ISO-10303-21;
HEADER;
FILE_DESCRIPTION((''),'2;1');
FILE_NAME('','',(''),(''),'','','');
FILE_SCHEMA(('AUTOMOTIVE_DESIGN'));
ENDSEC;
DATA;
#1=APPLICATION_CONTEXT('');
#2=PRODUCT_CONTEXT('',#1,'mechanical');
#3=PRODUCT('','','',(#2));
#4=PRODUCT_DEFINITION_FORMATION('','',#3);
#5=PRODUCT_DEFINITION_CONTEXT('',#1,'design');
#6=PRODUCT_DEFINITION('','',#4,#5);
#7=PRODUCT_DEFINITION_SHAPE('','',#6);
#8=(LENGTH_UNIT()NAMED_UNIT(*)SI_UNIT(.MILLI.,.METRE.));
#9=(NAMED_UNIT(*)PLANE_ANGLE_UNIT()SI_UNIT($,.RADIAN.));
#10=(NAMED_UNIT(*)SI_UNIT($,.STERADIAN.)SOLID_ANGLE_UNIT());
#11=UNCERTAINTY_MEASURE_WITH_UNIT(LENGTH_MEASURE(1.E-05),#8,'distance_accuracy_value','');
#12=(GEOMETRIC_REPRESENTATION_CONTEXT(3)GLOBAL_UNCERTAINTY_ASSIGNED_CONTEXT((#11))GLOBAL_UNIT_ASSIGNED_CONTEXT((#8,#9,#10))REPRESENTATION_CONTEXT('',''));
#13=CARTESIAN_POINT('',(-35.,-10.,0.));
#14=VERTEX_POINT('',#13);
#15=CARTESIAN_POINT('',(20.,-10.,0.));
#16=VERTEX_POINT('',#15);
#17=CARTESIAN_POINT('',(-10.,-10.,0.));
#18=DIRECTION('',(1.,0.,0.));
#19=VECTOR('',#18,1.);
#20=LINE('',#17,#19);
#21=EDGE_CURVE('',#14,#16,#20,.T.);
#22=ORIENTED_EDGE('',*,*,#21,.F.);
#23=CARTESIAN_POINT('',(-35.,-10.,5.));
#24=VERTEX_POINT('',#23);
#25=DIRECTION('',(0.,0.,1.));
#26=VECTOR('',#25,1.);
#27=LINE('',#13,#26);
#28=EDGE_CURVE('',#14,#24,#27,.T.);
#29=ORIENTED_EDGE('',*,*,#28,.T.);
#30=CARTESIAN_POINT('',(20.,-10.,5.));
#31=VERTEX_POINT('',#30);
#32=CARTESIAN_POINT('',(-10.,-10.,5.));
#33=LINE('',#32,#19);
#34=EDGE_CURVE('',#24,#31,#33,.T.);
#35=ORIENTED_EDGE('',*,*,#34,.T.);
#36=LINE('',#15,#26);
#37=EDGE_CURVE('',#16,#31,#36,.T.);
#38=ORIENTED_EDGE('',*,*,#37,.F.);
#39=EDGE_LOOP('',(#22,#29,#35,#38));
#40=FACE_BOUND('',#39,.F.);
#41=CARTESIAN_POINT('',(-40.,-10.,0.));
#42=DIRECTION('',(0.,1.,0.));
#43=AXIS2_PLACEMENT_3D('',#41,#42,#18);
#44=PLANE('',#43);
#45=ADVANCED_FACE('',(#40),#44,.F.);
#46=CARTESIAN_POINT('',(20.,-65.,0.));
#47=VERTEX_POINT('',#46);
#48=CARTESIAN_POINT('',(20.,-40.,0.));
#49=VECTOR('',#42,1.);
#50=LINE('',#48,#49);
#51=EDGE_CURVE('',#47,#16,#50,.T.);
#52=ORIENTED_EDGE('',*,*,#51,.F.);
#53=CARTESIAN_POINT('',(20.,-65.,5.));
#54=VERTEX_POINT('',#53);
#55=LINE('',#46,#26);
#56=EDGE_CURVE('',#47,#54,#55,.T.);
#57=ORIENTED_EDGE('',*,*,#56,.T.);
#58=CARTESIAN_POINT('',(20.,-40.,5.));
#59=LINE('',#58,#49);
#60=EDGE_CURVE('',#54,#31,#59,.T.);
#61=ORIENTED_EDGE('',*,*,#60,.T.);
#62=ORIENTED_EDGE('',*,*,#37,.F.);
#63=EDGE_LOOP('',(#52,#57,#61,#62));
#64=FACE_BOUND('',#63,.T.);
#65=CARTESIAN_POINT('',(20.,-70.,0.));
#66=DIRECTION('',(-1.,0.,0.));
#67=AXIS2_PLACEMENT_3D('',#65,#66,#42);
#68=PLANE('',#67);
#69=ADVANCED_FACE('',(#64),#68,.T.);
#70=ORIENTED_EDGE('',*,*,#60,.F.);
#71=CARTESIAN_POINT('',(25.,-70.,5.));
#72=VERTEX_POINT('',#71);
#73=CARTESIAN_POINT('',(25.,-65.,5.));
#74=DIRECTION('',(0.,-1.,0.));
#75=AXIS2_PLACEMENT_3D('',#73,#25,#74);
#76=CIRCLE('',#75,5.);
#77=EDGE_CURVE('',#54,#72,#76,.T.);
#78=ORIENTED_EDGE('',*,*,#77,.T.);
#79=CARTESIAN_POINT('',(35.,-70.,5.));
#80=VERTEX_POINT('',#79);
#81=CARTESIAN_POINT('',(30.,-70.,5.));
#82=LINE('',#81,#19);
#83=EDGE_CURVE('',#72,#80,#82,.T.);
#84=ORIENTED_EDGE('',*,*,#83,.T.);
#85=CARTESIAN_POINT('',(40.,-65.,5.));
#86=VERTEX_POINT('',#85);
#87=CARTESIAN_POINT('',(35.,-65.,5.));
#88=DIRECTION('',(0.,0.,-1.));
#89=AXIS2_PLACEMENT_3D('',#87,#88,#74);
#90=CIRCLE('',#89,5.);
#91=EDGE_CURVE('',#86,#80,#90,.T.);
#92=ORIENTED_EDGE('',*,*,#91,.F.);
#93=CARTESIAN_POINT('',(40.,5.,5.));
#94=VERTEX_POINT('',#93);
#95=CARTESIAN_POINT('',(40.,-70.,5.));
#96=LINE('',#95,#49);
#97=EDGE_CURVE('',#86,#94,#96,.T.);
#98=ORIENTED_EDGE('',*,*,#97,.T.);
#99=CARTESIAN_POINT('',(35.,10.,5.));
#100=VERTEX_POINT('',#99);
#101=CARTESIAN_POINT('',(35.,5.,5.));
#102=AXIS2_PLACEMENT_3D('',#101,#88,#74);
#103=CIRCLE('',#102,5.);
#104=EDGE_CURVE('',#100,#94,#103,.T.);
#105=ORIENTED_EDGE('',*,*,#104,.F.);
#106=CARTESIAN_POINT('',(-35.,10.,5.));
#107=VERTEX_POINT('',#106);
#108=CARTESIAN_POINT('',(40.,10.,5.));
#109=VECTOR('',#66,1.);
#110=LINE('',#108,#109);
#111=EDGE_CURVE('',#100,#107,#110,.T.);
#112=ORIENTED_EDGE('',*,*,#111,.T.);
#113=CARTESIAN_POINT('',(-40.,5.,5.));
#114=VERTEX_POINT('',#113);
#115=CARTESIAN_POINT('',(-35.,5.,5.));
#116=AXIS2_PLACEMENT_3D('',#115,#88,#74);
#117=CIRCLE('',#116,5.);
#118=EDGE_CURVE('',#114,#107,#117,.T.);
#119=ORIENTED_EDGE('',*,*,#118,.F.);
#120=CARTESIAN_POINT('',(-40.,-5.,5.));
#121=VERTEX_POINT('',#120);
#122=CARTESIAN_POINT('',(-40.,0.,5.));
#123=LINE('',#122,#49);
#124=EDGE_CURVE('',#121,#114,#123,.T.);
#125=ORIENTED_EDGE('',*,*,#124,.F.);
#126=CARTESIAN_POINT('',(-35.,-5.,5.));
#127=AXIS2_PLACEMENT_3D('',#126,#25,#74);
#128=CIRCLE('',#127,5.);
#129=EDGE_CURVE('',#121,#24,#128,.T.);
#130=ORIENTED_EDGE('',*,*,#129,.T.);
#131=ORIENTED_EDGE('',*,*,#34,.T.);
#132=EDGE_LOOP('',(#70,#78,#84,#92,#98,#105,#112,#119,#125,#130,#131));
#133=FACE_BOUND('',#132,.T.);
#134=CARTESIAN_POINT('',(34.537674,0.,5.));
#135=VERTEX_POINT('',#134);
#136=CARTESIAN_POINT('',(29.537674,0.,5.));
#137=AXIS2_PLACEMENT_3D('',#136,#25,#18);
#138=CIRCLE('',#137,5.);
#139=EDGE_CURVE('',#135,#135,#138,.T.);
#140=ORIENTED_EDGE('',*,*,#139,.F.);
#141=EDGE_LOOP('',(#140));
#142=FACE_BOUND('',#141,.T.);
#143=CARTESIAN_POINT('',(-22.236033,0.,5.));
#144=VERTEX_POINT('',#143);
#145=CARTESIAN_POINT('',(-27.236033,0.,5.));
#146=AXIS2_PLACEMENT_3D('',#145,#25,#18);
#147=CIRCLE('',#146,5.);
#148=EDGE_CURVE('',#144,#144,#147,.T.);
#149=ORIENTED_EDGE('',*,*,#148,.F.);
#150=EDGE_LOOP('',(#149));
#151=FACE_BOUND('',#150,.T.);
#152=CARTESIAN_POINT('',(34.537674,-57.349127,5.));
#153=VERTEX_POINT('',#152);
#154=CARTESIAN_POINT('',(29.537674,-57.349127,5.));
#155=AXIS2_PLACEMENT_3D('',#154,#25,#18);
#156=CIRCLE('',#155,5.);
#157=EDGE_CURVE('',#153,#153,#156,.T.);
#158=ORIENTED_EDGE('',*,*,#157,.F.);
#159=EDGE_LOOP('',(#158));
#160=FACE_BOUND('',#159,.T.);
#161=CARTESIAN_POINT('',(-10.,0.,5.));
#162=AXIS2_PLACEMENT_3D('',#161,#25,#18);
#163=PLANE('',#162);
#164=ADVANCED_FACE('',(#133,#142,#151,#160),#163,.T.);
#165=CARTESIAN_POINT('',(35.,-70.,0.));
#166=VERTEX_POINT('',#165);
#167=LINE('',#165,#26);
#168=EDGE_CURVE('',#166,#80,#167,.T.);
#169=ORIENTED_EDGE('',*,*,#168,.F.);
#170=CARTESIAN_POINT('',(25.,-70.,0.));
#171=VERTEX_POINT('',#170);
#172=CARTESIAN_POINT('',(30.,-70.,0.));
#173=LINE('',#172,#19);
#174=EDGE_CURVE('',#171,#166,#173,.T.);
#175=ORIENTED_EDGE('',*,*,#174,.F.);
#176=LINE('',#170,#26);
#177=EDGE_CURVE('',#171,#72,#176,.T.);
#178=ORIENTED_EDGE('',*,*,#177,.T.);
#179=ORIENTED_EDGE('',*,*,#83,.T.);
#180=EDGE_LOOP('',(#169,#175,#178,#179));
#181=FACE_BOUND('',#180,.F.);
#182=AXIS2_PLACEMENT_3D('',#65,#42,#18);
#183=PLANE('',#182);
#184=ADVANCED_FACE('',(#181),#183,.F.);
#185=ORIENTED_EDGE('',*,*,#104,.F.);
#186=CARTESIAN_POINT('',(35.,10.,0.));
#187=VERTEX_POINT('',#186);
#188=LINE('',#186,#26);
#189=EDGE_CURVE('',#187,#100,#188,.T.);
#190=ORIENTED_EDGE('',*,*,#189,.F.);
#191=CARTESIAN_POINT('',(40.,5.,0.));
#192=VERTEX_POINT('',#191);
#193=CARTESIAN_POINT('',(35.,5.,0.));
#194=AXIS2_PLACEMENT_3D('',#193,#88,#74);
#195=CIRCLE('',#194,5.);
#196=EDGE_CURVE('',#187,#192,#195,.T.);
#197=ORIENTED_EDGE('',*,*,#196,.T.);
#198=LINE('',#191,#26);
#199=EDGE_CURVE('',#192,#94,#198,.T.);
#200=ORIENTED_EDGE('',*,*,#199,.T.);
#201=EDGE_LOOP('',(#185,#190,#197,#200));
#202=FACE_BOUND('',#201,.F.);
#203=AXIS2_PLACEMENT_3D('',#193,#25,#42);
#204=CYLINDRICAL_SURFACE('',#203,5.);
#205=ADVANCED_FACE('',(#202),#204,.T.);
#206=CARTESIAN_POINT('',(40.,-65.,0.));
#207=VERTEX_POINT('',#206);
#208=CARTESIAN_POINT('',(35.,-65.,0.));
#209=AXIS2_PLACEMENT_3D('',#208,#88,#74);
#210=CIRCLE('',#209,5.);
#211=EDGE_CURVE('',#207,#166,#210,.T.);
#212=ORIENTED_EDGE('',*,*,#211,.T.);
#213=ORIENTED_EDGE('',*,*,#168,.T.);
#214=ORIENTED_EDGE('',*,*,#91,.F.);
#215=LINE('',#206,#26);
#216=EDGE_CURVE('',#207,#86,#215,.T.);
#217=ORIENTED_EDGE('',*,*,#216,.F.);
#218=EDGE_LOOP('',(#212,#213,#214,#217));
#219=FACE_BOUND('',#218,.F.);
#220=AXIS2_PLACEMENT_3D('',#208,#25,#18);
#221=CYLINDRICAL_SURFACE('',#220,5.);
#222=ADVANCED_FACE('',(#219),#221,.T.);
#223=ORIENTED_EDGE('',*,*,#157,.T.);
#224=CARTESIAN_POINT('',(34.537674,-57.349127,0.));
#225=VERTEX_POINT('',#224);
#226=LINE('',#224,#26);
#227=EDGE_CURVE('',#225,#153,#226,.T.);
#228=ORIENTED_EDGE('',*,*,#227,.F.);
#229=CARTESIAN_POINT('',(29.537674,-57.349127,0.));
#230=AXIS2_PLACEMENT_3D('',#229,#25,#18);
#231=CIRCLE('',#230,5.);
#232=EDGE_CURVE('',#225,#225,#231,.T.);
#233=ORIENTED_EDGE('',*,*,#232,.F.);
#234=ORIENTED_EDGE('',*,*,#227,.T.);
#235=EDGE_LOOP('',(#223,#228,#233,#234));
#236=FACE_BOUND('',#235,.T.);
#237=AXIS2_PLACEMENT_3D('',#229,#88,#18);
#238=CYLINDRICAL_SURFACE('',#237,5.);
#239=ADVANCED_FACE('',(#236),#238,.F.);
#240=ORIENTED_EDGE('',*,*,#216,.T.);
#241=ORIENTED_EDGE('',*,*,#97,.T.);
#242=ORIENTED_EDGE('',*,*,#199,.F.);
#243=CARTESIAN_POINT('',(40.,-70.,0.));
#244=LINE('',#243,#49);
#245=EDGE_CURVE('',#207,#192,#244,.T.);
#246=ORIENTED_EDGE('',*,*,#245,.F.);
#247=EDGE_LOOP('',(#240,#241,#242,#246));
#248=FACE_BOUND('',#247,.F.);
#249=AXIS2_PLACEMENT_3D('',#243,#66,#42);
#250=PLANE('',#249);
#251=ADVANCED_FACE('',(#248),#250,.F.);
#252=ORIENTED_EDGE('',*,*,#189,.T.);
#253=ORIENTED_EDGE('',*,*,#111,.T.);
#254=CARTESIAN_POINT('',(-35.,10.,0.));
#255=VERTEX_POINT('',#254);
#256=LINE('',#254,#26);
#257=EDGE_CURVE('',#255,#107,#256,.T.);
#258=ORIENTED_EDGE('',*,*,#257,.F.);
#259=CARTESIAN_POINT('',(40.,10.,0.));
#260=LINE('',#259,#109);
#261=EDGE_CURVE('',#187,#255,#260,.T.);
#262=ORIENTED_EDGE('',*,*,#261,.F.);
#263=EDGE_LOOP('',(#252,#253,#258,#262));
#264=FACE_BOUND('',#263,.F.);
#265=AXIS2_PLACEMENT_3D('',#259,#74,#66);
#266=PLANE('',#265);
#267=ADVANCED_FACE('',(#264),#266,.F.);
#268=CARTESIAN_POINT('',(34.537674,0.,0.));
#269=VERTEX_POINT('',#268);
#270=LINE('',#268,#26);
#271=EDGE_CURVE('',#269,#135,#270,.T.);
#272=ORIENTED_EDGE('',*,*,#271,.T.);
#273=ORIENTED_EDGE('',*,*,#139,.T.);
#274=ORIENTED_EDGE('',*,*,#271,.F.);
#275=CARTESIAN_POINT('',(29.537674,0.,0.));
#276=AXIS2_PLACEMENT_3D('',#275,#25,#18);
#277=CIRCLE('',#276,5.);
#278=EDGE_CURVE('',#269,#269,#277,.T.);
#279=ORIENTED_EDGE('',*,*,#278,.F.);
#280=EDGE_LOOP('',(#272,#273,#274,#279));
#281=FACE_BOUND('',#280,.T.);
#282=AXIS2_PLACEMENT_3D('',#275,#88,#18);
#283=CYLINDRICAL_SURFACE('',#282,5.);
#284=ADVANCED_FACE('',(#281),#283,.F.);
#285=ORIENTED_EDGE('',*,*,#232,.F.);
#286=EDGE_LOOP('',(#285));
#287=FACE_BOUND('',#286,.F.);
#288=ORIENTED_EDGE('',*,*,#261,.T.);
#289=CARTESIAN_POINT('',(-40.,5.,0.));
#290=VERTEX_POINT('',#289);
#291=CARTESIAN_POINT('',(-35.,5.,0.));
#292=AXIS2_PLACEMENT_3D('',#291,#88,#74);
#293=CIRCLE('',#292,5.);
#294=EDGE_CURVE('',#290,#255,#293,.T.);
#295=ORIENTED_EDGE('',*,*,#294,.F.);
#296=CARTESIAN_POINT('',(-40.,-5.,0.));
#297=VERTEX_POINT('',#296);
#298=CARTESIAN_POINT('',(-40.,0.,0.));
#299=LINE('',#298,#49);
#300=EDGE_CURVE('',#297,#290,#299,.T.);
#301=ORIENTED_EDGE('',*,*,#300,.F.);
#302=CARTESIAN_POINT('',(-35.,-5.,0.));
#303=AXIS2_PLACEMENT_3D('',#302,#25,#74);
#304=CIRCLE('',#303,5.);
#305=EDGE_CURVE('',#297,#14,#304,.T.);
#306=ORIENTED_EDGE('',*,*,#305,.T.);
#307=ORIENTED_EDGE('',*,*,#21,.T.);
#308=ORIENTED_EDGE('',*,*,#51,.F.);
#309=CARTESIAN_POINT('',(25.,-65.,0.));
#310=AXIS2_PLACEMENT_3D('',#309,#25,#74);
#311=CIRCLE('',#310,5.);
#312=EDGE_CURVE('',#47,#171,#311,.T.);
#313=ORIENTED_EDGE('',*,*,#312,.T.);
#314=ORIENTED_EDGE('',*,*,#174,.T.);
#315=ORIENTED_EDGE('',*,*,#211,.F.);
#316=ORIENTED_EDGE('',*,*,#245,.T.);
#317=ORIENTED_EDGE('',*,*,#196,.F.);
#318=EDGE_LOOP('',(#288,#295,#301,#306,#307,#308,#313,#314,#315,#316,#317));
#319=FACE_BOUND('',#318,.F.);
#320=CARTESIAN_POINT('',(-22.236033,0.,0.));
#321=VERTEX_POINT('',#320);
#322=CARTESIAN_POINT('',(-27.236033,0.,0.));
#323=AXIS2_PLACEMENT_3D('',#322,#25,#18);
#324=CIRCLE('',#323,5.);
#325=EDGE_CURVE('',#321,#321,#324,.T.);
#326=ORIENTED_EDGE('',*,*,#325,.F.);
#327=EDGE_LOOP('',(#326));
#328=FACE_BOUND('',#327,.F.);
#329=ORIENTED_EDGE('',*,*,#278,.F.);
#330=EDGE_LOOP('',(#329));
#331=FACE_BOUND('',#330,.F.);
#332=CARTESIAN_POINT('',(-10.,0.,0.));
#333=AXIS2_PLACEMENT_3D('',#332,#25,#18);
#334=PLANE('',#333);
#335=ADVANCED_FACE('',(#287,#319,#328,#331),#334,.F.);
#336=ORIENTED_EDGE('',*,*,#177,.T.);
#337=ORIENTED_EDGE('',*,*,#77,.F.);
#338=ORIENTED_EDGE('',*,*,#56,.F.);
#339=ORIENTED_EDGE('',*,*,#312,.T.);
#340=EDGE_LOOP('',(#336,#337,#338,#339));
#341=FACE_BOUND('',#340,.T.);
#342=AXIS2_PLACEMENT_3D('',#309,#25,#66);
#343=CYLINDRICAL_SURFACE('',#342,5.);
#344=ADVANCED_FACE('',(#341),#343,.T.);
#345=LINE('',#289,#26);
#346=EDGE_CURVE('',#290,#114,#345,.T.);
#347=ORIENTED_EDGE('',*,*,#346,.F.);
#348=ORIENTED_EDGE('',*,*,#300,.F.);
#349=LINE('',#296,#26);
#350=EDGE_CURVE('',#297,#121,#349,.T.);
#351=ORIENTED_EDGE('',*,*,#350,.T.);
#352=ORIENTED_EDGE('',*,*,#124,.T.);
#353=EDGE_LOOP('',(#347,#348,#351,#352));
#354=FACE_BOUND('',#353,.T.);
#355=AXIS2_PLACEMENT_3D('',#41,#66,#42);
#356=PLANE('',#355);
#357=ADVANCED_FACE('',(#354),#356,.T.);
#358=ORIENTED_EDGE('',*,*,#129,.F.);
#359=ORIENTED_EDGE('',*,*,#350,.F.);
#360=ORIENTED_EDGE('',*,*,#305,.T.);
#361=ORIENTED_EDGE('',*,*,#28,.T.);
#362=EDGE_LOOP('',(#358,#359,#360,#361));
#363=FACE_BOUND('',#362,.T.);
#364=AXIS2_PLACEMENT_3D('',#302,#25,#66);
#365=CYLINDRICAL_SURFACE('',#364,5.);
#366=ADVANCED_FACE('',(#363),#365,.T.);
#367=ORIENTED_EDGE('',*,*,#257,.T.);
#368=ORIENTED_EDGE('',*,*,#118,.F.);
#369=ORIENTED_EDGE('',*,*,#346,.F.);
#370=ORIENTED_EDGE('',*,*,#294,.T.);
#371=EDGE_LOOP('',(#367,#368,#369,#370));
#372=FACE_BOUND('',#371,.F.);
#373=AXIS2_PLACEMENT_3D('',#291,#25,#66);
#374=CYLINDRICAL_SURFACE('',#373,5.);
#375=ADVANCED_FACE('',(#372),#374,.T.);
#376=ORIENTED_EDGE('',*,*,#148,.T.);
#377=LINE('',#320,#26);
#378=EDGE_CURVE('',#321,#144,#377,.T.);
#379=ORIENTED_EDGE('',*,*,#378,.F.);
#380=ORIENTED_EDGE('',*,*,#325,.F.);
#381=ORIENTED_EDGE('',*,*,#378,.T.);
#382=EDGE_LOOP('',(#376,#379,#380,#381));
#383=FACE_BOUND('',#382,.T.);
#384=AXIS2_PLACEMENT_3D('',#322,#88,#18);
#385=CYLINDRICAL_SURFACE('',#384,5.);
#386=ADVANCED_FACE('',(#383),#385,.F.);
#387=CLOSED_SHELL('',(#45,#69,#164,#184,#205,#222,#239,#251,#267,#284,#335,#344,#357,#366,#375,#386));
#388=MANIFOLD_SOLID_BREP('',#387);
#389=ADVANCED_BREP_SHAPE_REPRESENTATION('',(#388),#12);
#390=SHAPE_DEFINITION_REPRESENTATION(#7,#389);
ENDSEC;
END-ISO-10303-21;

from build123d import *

# Parameters (mm, degrees)
F0_W     = 60
F0_H     = 20
F0_R     = 5
F0_W_2   = 20
F0_H_2   = 60
F1_DEPTH = 5
F2_R     = 5


with BuildPart() as f1:
    # F0 (on Top) → F1 (new body)
    with BuildSketch(Plane.XY):
        with Locations((-10, 0)):
            Rectangle(F0_W, F0_H)
        with Locations((-27.236033, 0)):
            Circle(F0_R, mode=Mode.SUBTRACT)
        with Locations((30, -40)):
            Rectangle(F0_W_2, F0_H_2)
        with Locations((29.537674, -57.349127)):
            Circle(F0_R, mode=Mode.SUBTRACT)
        with Locations((30, 0)):
            Rectangle(F0_W_2, F0_H)
        with Locations((29.537674, 0)):
            Circle(F0_R, mode=Mode.SUBTRACT)
    extrude(amount=F1_DEPTH)

    # F2
    f2_edges = [f1.edges().sort_by_distance(p)[0] for p in [
        (20, -70, 2.5),
        (40, -70, 2.5),
        (40, 10, 2.5),
        (-40, -10, 2.5),
        (-40, 10, 2.5),
    ]]
    fillet(f2_edges, radius=F2_R)


solid = f1.part
